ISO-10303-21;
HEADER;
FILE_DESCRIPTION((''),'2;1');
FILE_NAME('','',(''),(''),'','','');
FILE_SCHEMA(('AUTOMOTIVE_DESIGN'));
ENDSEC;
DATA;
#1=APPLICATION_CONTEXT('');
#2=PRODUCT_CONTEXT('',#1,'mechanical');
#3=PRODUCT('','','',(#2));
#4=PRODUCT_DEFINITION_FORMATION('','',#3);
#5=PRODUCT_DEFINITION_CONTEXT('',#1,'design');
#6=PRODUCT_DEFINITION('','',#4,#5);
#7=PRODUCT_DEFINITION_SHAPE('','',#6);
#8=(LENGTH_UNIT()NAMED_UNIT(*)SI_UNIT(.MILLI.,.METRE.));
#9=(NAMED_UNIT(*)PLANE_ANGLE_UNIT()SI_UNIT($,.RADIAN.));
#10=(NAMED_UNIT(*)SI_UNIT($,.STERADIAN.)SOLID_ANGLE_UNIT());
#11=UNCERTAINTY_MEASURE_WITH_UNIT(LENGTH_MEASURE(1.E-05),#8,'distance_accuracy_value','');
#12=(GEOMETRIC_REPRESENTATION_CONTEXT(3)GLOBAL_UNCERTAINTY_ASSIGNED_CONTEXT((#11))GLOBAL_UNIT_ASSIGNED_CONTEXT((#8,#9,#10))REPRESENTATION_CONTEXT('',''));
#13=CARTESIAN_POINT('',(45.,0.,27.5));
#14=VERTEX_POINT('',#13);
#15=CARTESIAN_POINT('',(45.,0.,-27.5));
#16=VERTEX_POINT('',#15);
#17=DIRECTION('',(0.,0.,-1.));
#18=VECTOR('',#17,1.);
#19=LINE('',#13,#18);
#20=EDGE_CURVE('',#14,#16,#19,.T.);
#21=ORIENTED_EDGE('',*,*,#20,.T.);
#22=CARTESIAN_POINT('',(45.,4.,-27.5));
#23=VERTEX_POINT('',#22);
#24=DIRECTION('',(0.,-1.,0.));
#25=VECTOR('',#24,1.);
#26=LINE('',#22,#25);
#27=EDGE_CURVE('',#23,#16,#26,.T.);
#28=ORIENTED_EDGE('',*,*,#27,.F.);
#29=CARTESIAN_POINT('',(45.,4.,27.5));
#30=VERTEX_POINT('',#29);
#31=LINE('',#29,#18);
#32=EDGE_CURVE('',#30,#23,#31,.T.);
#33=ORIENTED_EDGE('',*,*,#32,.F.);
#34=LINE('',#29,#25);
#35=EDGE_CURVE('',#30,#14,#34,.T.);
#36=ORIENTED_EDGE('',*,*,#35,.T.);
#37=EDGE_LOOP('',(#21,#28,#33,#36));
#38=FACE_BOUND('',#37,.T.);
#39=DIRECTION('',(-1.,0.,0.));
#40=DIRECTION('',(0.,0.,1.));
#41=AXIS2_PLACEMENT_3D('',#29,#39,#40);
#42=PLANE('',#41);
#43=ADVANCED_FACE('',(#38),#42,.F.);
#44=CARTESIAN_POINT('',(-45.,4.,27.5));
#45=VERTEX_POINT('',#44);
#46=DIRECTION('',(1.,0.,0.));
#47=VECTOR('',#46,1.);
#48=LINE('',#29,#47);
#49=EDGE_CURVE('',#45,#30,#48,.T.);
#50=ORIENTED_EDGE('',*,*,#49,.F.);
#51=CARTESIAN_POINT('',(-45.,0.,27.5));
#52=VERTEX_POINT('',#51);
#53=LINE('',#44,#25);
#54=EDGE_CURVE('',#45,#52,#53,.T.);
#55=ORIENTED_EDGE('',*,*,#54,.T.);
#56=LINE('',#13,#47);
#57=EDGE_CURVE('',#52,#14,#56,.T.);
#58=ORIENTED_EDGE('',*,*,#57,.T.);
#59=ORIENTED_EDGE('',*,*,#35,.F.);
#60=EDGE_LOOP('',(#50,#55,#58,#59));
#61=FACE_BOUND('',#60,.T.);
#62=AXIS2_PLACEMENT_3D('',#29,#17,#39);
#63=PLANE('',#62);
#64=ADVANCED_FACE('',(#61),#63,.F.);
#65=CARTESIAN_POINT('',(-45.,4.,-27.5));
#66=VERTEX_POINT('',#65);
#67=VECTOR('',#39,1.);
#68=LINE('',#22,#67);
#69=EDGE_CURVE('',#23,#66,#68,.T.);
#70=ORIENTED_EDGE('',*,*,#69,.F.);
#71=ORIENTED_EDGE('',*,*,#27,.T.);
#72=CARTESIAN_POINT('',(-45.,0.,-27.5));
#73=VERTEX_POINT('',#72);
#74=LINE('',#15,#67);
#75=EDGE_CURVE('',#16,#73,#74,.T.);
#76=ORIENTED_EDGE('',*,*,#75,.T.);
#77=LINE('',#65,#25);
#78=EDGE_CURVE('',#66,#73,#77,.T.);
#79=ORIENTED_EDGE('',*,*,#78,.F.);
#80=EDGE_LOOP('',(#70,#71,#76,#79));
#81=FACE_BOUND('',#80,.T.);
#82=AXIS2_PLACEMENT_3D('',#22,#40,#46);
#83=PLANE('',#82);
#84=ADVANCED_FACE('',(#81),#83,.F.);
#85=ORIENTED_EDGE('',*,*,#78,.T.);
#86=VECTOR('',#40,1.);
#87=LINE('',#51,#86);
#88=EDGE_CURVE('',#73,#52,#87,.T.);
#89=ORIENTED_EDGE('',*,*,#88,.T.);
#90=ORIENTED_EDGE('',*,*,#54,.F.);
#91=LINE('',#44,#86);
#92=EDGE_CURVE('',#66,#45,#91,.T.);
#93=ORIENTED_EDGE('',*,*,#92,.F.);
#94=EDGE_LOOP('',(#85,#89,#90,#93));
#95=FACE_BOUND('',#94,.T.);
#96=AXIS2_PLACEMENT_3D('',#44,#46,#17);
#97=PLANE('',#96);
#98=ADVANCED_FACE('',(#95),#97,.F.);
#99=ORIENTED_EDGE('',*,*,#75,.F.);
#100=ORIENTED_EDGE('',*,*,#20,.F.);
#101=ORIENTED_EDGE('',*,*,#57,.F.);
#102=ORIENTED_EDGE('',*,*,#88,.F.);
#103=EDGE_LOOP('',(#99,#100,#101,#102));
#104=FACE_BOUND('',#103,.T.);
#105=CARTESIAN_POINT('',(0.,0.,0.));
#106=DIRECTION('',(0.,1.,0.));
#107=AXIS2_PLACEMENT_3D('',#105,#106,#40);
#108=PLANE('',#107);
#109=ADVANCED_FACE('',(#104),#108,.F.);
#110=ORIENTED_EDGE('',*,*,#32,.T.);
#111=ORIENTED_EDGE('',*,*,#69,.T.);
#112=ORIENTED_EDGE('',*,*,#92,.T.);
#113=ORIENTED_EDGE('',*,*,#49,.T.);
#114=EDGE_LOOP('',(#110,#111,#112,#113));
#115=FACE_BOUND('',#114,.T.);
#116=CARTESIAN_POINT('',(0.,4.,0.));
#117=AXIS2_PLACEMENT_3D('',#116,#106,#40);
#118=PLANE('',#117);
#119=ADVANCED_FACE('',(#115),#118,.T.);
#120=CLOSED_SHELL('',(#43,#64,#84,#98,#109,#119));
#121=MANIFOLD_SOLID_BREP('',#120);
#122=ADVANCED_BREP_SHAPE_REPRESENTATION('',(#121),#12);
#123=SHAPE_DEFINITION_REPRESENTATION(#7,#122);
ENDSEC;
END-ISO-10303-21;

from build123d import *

# Parameters (mm, degrees)
SKETCH_1_W      = 90
SKETCH_1_H      = 55
EXTRUDE_1_DEPTH = 4


with BuildPart() as part:
    # Эскиз1 → Бобышка-Вытянуть1 (new body)
    with BuildSketch(Plane(origin=(0, 0, 0), x_dir=(1, 0, 0), z_dir=(0, 1, 0))):
        Rectangle(SKETCH_1_W, SKETCH_1_H)
    extrude(amount=EXTRUDE_1_DEPTH)


solid = part.part
